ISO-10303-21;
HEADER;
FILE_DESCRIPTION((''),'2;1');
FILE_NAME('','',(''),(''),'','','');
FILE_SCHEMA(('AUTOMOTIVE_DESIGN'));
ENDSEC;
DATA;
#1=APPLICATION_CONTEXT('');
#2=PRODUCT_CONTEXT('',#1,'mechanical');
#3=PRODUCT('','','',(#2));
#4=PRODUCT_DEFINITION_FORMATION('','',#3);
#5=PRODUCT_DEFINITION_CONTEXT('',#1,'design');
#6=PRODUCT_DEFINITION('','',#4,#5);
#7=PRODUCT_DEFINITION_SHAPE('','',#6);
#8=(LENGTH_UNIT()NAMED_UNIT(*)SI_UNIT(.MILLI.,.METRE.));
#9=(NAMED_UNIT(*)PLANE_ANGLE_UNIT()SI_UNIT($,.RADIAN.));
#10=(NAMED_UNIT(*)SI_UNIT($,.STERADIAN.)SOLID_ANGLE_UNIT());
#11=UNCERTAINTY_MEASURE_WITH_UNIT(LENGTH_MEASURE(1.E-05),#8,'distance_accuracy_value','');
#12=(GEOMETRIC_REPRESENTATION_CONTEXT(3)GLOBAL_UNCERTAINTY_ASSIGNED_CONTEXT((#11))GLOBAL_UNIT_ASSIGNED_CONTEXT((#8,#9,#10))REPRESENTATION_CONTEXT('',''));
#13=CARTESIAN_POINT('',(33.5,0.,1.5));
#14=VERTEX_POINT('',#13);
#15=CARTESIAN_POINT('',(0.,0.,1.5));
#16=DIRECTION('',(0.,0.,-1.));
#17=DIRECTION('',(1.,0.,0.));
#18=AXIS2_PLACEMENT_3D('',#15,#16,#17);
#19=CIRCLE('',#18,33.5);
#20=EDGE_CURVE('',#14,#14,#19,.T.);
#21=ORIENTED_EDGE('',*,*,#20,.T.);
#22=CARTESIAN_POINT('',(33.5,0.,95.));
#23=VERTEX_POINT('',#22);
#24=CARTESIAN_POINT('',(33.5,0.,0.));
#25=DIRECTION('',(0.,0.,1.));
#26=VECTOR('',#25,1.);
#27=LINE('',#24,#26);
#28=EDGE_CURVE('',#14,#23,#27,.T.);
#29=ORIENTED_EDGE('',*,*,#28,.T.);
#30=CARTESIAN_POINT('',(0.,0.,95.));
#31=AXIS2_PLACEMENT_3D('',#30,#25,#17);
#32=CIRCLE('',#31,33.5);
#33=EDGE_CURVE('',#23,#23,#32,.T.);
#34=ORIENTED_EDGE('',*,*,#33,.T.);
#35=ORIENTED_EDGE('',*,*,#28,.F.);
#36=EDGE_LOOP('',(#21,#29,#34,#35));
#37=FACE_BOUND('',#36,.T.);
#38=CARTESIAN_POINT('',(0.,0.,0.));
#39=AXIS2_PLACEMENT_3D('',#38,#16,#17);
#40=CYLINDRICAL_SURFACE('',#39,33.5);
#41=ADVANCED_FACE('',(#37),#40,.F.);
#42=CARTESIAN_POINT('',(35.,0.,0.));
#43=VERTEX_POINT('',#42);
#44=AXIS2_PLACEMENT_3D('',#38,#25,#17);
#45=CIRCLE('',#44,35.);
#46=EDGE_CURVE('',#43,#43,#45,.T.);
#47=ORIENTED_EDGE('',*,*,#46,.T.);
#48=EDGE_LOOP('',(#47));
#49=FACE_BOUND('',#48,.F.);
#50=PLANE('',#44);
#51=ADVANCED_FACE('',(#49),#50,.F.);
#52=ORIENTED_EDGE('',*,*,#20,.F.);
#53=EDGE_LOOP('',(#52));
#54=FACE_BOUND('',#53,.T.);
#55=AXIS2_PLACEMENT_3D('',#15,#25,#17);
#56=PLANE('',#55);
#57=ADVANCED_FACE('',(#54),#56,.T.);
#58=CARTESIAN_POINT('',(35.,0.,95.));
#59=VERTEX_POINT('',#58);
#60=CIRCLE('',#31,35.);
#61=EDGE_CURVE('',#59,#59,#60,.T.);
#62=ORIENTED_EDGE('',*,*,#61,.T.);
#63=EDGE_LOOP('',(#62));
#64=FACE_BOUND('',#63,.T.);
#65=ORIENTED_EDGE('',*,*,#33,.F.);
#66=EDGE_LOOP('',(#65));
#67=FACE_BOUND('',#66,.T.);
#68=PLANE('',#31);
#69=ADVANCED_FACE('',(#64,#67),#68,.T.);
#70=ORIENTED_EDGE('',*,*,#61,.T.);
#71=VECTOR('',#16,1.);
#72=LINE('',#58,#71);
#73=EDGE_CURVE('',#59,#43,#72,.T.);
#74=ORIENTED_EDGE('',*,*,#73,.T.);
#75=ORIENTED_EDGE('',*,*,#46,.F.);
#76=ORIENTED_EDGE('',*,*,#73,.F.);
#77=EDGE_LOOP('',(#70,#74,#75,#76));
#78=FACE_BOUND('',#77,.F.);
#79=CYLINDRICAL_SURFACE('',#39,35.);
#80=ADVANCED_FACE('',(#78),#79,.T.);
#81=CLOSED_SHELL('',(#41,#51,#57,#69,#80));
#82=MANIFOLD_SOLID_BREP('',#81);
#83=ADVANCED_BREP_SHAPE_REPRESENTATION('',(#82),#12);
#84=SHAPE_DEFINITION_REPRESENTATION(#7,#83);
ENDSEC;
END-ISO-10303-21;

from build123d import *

# Parameters (mm, degrees)
F0_R     = 35
F1_DEPTH = 95
F2_T     = -1.5
F3_R     = 35
F4_DEPTH = 1.5


with BuildPart() as f1:
    # F0 (on Top) → F1 (new body)
    with BuildSketch(Plane.XY):
        Circle(F0_R)
    extrude(amount=F1_DEPTH)

    # F2
    f2_openings = [f1.faces().sort_by_distance(p)[0] for p in [
        (0, 0, 95),
    ]]
    offset(amount=F2_T, openings=f2_openings)

    # F3 (on Top) → F4 (join)
    with BuildSketch(Plane.XY):
        Circle(F3_R)
    extrude(amount=F4_DEPTH)


solid = f1.part
